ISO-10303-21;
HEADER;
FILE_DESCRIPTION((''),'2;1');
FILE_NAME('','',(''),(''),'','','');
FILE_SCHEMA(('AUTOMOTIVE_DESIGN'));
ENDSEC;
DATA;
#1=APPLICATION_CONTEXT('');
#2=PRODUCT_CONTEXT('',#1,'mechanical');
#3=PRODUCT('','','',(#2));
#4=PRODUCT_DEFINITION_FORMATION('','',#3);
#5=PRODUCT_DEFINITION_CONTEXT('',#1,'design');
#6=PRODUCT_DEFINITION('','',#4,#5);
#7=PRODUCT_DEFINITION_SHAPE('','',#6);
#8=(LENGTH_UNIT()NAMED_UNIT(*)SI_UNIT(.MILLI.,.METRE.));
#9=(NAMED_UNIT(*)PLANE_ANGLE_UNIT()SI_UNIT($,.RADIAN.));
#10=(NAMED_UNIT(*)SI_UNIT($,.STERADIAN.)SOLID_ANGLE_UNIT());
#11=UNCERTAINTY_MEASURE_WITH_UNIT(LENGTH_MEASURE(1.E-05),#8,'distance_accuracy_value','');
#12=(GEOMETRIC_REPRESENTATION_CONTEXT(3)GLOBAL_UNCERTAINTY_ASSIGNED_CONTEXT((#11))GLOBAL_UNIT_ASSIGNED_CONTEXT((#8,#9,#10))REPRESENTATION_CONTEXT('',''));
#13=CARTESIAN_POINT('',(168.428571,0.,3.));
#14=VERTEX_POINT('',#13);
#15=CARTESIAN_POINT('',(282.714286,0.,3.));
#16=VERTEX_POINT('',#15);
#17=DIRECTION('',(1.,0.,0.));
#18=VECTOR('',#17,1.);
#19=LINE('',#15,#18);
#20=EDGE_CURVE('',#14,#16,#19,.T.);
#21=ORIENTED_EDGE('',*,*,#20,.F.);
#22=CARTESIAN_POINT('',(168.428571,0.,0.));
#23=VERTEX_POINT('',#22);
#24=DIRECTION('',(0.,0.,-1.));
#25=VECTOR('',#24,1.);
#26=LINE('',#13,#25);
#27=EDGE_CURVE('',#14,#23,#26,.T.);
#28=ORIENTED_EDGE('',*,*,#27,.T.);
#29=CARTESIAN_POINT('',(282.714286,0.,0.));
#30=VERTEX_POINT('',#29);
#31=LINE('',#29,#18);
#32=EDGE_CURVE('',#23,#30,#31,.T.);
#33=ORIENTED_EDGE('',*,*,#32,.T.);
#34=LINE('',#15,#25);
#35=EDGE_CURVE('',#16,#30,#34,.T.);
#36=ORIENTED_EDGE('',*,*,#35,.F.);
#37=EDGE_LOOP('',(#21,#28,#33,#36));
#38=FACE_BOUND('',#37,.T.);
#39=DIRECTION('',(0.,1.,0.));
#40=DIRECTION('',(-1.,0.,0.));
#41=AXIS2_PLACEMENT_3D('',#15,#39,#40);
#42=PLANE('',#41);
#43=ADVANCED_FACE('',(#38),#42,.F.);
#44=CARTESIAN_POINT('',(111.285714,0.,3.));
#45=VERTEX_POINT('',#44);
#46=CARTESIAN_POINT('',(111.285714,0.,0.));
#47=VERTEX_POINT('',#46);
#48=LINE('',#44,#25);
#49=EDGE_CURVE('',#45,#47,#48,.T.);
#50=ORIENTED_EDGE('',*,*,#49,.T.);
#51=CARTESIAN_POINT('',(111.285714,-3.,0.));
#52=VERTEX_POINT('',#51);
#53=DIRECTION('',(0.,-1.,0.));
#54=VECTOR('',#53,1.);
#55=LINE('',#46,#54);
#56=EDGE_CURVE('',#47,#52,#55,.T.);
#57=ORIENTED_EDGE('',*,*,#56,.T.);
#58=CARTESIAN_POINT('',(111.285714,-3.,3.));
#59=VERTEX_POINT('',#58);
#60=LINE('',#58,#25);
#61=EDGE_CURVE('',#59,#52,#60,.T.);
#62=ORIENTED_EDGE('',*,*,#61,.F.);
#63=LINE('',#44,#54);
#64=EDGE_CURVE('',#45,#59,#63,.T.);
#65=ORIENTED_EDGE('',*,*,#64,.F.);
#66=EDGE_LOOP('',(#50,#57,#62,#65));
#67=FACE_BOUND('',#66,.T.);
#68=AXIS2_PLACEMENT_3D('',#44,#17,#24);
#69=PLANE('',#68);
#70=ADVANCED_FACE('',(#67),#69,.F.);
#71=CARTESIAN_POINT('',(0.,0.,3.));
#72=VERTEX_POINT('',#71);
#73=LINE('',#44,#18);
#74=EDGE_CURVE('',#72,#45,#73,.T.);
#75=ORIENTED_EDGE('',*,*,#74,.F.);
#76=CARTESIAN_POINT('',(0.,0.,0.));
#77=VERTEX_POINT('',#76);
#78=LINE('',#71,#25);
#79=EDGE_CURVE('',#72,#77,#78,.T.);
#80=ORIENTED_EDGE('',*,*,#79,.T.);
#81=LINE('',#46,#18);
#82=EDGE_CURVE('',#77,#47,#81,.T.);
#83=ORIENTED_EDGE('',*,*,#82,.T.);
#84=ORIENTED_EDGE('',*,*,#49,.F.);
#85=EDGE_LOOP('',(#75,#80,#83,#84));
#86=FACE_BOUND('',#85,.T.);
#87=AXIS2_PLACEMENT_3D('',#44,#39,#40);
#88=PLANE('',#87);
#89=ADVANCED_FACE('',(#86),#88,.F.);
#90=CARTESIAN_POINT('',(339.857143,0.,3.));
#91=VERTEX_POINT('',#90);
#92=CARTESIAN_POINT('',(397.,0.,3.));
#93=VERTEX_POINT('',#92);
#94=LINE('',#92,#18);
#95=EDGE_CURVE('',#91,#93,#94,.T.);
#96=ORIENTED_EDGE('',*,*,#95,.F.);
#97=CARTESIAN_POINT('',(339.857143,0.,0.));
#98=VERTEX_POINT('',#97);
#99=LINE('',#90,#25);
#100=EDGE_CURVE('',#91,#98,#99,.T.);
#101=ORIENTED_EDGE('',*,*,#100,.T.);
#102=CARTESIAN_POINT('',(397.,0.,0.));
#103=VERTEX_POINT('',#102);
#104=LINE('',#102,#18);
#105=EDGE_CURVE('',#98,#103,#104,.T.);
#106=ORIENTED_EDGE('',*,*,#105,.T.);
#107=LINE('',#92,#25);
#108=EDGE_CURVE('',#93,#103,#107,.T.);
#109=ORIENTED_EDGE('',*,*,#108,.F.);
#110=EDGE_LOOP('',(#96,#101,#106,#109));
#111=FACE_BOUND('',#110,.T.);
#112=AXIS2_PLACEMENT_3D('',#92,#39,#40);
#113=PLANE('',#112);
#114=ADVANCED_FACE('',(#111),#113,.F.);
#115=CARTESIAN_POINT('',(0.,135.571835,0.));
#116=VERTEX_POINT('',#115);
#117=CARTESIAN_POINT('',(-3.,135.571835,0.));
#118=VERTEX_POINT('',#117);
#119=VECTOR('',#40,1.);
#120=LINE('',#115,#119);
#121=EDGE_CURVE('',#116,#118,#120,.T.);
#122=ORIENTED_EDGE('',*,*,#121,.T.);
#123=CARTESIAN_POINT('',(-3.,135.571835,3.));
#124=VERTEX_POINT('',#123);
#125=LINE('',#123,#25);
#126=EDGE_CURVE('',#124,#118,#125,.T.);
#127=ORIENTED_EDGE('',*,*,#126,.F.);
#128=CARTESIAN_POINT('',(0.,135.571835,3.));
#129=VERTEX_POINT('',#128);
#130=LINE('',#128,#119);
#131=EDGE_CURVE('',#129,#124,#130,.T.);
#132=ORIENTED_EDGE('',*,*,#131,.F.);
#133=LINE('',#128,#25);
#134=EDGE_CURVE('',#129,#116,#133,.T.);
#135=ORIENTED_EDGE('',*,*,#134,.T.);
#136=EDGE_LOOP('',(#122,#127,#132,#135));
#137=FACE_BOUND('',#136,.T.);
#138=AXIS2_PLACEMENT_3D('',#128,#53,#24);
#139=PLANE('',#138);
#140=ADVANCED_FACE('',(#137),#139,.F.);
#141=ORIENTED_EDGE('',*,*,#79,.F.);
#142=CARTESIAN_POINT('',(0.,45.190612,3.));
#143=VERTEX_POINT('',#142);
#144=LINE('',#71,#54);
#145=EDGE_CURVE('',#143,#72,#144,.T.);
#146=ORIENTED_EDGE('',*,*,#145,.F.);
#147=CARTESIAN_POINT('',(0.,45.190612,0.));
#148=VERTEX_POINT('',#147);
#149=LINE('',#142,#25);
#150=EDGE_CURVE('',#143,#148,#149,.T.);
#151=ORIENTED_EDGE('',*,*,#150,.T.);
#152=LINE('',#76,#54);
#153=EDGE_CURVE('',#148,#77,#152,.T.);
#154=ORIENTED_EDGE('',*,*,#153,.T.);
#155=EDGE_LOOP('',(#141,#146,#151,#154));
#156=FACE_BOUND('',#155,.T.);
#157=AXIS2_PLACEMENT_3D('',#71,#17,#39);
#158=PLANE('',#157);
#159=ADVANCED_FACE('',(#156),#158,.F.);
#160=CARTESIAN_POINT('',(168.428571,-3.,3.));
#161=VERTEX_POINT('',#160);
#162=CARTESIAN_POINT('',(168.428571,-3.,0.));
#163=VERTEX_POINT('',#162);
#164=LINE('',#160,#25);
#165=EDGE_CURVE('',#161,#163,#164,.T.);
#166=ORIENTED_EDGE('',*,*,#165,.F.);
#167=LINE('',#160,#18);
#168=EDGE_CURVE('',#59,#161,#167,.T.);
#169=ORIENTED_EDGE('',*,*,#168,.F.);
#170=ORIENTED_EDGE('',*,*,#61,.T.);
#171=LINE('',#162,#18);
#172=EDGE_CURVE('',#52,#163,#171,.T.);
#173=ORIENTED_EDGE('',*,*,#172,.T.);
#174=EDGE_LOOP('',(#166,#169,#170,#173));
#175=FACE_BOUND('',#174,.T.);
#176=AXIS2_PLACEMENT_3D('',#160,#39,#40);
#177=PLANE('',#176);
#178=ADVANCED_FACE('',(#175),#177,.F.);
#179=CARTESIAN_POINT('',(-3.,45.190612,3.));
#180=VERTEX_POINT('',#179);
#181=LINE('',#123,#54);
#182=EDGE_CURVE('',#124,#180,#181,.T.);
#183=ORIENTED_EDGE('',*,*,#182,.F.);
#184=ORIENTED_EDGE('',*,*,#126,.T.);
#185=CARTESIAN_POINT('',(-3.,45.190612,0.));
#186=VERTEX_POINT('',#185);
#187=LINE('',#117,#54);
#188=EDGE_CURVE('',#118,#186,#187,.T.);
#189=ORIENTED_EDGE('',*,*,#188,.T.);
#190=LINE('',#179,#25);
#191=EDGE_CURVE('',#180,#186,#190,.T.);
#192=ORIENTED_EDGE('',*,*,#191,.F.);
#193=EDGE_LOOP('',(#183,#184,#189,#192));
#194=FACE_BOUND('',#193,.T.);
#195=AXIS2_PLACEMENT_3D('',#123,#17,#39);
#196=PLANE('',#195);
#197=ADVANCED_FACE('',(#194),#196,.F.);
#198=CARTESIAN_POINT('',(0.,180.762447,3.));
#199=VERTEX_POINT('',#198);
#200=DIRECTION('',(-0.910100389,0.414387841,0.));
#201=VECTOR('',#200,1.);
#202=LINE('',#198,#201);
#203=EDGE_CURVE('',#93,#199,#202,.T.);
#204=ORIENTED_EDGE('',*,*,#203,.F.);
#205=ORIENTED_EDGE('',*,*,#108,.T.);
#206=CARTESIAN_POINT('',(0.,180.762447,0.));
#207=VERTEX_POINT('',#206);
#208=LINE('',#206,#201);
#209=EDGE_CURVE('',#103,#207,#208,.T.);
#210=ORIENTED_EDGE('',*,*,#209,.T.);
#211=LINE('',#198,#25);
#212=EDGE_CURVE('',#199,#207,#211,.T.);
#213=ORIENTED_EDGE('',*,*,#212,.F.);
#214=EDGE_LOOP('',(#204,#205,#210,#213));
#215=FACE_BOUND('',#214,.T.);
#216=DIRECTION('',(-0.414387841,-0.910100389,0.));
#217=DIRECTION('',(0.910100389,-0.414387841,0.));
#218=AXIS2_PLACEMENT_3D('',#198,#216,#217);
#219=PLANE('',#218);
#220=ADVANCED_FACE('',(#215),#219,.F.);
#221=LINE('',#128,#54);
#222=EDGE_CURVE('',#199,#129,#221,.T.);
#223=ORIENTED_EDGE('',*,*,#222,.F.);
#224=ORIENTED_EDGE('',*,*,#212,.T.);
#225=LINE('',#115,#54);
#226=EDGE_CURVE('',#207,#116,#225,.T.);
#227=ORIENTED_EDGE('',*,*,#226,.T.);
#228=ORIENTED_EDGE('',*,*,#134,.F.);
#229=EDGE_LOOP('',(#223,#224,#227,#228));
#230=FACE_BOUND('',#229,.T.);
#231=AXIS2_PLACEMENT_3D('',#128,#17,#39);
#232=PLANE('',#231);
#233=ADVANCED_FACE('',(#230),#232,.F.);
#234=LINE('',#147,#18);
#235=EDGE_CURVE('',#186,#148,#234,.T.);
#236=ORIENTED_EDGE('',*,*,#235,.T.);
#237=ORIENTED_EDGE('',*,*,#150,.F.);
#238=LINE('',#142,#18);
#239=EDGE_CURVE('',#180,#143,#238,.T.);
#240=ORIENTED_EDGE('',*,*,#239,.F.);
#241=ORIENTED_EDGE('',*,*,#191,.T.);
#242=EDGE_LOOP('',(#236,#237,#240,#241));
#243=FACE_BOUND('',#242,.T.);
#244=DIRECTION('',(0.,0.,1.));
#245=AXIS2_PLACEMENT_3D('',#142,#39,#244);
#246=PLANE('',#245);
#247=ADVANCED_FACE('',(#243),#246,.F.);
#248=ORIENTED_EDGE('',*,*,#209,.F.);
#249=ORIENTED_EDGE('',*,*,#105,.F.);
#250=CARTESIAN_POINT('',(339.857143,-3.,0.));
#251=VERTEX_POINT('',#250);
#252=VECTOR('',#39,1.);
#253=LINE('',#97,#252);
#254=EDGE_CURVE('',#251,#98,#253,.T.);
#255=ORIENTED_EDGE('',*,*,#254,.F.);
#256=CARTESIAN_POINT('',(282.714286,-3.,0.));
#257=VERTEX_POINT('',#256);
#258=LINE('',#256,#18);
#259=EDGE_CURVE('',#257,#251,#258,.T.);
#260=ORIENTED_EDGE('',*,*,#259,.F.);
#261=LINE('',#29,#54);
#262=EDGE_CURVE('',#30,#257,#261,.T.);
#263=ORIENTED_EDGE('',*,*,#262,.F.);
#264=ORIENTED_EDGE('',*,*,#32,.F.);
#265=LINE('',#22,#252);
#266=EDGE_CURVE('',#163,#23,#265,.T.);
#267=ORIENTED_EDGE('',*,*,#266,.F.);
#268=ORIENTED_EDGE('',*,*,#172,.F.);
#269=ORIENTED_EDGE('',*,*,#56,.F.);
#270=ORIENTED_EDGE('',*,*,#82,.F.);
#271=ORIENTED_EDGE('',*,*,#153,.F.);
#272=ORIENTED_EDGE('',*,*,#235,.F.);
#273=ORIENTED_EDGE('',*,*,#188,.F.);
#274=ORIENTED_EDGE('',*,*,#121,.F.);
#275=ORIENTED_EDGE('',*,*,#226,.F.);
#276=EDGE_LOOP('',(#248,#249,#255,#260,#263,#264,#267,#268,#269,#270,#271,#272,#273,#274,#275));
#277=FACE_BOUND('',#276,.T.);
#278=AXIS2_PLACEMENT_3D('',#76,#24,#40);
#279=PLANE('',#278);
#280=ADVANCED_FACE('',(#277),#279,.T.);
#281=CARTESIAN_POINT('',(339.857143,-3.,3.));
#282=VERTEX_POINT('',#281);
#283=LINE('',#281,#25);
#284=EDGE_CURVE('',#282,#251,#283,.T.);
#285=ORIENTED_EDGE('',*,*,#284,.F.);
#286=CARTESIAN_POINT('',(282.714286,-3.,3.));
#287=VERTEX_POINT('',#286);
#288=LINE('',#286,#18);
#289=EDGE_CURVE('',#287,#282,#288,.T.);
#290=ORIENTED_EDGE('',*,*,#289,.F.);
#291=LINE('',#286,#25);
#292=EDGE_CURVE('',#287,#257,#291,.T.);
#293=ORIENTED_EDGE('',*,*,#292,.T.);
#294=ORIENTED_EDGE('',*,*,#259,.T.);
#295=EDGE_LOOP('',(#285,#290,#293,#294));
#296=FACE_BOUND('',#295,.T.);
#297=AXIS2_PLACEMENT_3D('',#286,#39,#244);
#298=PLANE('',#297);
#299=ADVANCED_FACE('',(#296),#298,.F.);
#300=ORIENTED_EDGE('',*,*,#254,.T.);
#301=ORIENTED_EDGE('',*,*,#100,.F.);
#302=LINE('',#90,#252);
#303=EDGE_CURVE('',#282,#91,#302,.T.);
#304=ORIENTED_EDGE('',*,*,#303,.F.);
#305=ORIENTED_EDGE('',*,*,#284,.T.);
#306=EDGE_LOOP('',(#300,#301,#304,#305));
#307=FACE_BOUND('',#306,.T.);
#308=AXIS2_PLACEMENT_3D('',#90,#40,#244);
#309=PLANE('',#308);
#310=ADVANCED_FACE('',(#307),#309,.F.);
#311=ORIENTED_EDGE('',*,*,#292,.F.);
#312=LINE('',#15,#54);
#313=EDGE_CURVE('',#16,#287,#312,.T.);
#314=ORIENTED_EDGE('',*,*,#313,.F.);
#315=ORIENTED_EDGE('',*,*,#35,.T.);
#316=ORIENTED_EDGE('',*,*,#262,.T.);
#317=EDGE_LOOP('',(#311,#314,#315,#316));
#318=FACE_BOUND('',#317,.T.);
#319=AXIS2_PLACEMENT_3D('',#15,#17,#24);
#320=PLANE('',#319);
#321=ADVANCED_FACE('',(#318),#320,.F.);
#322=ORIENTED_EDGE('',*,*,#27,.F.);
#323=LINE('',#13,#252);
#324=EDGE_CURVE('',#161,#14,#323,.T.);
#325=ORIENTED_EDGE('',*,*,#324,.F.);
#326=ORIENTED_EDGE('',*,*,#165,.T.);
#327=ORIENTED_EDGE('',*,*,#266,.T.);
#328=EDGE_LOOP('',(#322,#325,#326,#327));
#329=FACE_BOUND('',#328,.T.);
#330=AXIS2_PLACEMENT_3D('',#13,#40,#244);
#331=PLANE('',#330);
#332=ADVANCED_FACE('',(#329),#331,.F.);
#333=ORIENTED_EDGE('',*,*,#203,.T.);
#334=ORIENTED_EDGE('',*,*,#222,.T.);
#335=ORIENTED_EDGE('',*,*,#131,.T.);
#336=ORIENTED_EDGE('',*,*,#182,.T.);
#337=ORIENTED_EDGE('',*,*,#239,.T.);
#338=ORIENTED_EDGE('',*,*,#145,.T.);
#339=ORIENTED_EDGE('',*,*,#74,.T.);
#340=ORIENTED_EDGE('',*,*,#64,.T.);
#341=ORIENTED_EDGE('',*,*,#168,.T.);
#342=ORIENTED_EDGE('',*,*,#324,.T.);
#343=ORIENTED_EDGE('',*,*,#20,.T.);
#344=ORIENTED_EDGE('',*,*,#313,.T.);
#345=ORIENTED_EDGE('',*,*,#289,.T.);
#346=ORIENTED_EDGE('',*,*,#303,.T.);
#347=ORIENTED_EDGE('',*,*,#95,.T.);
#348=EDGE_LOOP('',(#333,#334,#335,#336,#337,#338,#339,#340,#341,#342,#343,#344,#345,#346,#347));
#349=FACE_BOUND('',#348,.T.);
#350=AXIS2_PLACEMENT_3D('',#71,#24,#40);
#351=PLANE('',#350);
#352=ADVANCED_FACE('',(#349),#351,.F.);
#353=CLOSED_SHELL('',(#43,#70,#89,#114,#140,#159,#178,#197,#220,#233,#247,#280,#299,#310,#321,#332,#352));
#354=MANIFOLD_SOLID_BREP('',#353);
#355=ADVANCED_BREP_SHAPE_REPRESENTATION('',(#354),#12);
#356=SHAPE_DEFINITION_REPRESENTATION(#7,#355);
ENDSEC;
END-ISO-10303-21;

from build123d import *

# Parameters (mm, degrees)
RESSALTO_EXTRUS_O1_DEPTH = 3


with BuildPart() as part:
    # Esboço1 → Ressalto-extrusão1 (new body)
    with BuildSketch(Plane.XY):
        Polygon((0, 0), (0, 45.190611635), (-3, 45.190611635), (-3, 135.571834905), (0, 135.571834905), (0, 180.76244654), (397, 0), (339.85714285, 0), (339.85714285, -3), (282.7142857, -3), (282.7142857, 0), (168.4285714, 0), (168.4285714, -3), (111.28571425, -3), (111.28571425, 0), align=None)
    extrude(amount=RESSALTO_EXTRUS_O1_DEPTH)


solid = part.part
